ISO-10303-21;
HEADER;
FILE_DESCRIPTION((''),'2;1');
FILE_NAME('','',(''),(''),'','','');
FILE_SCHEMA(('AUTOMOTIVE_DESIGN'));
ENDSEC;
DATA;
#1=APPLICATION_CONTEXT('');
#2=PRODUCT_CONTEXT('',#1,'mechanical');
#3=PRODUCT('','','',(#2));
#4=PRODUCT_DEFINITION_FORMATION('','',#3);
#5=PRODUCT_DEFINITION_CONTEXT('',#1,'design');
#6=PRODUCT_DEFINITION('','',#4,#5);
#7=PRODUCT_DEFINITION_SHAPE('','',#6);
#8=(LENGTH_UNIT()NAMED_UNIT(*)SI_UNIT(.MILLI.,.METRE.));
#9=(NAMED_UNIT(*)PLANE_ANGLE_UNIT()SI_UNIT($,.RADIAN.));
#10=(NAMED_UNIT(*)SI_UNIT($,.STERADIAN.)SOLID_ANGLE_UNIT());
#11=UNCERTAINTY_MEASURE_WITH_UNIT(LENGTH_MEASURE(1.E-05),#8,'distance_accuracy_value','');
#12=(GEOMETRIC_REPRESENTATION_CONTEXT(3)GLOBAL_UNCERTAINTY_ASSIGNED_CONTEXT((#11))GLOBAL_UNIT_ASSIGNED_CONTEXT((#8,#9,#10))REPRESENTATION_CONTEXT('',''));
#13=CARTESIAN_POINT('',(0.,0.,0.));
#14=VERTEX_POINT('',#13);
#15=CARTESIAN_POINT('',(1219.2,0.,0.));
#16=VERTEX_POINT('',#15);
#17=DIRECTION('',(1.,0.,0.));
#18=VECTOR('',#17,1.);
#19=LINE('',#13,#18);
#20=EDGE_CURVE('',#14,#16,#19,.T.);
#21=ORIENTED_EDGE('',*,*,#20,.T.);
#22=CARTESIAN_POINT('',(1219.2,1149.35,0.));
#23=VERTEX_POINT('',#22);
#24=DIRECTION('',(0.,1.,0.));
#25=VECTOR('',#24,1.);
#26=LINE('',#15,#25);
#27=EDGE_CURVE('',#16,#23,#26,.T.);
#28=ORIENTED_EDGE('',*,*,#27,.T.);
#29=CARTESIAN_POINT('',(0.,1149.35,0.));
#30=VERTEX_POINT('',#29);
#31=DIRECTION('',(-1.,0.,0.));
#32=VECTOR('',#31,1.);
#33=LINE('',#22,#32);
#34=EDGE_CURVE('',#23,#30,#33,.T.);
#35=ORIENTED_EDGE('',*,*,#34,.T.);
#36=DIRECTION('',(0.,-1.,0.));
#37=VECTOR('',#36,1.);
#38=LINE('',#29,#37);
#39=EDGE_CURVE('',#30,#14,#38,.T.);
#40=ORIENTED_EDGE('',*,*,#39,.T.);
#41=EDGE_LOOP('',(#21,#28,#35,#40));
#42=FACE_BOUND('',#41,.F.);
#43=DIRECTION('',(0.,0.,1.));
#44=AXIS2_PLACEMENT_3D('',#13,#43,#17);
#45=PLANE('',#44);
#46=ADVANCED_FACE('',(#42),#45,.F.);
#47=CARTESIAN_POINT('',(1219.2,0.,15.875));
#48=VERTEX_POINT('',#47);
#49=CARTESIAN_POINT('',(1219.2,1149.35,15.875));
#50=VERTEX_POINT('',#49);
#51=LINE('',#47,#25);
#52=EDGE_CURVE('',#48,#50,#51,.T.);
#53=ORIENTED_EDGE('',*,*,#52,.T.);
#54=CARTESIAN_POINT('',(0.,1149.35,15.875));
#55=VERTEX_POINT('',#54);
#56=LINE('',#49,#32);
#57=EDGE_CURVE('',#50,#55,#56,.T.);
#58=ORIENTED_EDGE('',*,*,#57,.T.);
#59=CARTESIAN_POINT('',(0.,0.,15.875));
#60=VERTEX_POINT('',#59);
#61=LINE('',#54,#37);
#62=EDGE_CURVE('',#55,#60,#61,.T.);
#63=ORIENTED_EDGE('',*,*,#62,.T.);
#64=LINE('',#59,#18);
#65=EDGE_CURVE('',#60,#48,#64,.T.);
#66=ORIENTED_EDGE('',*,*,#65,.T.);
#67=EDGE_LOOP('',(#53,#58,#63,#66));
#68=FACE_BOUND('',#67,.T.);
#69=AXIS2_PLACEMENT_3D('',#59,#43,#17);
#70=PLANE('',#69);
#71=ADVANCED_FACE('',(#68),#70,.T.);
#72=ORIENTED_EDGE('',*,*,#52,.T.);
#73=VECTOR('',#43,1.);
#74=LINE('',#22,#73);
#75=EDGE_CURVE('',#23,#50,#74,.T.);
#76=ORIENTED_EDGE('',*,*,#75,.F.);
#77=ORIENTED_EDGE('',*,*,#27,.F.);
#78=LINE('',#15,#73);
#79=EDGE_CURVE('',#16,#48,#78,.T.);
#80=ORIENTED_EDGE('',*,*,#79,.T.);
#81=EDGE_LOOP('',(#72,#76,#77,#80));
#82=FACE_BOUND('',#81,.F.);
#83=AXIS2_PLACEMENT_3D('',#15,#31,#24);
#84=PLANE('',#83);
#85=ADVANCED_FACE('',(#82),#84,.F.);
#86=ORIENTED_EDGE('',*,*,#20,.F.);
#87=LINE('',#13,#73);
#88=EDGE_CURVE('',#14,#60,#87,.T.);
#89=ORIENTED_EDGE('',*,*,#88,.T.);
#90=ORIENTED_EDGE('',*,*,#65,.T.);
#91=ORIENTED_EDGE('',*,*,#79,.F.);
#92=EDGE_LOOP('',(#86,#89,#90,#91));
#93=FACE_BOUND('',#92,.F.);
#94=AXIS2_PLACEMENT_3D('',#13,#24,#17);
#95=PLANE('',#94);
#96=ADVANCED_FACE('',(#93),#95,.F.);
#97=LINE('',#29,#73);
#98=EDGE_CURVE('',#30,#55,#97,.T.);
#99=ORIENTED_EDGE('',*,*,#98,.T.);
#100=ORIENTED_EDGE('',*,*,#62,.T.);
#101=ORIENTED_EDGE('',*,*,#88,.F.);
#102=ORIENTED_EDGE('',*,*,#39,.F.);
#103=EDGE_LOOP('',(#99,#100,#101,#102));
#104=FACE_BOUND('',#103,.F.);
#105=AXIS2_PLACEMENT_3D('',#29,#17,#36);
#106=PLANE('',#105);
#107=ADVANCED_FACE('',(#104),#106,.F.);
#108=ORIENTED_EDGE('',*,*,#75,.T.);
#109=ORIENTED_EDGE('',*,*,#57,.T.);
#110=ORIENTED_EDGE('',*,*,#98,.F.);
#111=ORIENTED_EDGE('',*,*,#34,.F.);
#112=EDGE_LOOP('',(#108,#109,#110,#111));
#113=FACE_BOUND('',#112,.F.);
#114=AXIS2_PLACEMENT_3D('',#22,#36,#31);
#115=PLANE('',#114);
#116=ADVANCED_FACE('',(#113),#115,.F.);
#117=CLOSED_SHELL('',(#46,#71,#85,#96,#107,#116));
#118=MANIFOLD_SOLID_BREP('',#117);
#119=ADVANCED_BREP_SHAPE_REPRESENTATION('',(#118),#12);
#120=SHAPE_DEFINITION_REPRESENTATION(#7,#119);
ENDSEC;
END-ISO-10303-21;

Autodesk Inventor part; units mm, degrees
ref_plane "YZ Plane" through (0, 0, 0) normal (1, 0, 0) x (0, 1, 0)
ref_plane "XZ Plane" through (0, 0, 0) normal (0, 1, 0) x (-1, 0, 0)
ref_plane "XY Plane" through (0, 0, 0) normal (0, 0, 1) x (1, 0, 0)
sketch "Sketch1" plane through (0, 0, 0) normal (0, 0, 1) x (1, 0, 0)
  line L0 (0, 0) -> (1219.2, 0)
  line L1 (1219.2, 0) -> (1219.2, 1149.35)
  line L2 (1219.2, 1149.35) -> (0, 1149.35)
  line L3 (0, 1149.35) -> (0, 0)
  dimension "d0" = 1219.2
  dimension "d1" = 1149.35
extrude "Extrusion1" add sketch "Sketch1" along normal blind 15.875
properties part number "Cut Gyp Board"
